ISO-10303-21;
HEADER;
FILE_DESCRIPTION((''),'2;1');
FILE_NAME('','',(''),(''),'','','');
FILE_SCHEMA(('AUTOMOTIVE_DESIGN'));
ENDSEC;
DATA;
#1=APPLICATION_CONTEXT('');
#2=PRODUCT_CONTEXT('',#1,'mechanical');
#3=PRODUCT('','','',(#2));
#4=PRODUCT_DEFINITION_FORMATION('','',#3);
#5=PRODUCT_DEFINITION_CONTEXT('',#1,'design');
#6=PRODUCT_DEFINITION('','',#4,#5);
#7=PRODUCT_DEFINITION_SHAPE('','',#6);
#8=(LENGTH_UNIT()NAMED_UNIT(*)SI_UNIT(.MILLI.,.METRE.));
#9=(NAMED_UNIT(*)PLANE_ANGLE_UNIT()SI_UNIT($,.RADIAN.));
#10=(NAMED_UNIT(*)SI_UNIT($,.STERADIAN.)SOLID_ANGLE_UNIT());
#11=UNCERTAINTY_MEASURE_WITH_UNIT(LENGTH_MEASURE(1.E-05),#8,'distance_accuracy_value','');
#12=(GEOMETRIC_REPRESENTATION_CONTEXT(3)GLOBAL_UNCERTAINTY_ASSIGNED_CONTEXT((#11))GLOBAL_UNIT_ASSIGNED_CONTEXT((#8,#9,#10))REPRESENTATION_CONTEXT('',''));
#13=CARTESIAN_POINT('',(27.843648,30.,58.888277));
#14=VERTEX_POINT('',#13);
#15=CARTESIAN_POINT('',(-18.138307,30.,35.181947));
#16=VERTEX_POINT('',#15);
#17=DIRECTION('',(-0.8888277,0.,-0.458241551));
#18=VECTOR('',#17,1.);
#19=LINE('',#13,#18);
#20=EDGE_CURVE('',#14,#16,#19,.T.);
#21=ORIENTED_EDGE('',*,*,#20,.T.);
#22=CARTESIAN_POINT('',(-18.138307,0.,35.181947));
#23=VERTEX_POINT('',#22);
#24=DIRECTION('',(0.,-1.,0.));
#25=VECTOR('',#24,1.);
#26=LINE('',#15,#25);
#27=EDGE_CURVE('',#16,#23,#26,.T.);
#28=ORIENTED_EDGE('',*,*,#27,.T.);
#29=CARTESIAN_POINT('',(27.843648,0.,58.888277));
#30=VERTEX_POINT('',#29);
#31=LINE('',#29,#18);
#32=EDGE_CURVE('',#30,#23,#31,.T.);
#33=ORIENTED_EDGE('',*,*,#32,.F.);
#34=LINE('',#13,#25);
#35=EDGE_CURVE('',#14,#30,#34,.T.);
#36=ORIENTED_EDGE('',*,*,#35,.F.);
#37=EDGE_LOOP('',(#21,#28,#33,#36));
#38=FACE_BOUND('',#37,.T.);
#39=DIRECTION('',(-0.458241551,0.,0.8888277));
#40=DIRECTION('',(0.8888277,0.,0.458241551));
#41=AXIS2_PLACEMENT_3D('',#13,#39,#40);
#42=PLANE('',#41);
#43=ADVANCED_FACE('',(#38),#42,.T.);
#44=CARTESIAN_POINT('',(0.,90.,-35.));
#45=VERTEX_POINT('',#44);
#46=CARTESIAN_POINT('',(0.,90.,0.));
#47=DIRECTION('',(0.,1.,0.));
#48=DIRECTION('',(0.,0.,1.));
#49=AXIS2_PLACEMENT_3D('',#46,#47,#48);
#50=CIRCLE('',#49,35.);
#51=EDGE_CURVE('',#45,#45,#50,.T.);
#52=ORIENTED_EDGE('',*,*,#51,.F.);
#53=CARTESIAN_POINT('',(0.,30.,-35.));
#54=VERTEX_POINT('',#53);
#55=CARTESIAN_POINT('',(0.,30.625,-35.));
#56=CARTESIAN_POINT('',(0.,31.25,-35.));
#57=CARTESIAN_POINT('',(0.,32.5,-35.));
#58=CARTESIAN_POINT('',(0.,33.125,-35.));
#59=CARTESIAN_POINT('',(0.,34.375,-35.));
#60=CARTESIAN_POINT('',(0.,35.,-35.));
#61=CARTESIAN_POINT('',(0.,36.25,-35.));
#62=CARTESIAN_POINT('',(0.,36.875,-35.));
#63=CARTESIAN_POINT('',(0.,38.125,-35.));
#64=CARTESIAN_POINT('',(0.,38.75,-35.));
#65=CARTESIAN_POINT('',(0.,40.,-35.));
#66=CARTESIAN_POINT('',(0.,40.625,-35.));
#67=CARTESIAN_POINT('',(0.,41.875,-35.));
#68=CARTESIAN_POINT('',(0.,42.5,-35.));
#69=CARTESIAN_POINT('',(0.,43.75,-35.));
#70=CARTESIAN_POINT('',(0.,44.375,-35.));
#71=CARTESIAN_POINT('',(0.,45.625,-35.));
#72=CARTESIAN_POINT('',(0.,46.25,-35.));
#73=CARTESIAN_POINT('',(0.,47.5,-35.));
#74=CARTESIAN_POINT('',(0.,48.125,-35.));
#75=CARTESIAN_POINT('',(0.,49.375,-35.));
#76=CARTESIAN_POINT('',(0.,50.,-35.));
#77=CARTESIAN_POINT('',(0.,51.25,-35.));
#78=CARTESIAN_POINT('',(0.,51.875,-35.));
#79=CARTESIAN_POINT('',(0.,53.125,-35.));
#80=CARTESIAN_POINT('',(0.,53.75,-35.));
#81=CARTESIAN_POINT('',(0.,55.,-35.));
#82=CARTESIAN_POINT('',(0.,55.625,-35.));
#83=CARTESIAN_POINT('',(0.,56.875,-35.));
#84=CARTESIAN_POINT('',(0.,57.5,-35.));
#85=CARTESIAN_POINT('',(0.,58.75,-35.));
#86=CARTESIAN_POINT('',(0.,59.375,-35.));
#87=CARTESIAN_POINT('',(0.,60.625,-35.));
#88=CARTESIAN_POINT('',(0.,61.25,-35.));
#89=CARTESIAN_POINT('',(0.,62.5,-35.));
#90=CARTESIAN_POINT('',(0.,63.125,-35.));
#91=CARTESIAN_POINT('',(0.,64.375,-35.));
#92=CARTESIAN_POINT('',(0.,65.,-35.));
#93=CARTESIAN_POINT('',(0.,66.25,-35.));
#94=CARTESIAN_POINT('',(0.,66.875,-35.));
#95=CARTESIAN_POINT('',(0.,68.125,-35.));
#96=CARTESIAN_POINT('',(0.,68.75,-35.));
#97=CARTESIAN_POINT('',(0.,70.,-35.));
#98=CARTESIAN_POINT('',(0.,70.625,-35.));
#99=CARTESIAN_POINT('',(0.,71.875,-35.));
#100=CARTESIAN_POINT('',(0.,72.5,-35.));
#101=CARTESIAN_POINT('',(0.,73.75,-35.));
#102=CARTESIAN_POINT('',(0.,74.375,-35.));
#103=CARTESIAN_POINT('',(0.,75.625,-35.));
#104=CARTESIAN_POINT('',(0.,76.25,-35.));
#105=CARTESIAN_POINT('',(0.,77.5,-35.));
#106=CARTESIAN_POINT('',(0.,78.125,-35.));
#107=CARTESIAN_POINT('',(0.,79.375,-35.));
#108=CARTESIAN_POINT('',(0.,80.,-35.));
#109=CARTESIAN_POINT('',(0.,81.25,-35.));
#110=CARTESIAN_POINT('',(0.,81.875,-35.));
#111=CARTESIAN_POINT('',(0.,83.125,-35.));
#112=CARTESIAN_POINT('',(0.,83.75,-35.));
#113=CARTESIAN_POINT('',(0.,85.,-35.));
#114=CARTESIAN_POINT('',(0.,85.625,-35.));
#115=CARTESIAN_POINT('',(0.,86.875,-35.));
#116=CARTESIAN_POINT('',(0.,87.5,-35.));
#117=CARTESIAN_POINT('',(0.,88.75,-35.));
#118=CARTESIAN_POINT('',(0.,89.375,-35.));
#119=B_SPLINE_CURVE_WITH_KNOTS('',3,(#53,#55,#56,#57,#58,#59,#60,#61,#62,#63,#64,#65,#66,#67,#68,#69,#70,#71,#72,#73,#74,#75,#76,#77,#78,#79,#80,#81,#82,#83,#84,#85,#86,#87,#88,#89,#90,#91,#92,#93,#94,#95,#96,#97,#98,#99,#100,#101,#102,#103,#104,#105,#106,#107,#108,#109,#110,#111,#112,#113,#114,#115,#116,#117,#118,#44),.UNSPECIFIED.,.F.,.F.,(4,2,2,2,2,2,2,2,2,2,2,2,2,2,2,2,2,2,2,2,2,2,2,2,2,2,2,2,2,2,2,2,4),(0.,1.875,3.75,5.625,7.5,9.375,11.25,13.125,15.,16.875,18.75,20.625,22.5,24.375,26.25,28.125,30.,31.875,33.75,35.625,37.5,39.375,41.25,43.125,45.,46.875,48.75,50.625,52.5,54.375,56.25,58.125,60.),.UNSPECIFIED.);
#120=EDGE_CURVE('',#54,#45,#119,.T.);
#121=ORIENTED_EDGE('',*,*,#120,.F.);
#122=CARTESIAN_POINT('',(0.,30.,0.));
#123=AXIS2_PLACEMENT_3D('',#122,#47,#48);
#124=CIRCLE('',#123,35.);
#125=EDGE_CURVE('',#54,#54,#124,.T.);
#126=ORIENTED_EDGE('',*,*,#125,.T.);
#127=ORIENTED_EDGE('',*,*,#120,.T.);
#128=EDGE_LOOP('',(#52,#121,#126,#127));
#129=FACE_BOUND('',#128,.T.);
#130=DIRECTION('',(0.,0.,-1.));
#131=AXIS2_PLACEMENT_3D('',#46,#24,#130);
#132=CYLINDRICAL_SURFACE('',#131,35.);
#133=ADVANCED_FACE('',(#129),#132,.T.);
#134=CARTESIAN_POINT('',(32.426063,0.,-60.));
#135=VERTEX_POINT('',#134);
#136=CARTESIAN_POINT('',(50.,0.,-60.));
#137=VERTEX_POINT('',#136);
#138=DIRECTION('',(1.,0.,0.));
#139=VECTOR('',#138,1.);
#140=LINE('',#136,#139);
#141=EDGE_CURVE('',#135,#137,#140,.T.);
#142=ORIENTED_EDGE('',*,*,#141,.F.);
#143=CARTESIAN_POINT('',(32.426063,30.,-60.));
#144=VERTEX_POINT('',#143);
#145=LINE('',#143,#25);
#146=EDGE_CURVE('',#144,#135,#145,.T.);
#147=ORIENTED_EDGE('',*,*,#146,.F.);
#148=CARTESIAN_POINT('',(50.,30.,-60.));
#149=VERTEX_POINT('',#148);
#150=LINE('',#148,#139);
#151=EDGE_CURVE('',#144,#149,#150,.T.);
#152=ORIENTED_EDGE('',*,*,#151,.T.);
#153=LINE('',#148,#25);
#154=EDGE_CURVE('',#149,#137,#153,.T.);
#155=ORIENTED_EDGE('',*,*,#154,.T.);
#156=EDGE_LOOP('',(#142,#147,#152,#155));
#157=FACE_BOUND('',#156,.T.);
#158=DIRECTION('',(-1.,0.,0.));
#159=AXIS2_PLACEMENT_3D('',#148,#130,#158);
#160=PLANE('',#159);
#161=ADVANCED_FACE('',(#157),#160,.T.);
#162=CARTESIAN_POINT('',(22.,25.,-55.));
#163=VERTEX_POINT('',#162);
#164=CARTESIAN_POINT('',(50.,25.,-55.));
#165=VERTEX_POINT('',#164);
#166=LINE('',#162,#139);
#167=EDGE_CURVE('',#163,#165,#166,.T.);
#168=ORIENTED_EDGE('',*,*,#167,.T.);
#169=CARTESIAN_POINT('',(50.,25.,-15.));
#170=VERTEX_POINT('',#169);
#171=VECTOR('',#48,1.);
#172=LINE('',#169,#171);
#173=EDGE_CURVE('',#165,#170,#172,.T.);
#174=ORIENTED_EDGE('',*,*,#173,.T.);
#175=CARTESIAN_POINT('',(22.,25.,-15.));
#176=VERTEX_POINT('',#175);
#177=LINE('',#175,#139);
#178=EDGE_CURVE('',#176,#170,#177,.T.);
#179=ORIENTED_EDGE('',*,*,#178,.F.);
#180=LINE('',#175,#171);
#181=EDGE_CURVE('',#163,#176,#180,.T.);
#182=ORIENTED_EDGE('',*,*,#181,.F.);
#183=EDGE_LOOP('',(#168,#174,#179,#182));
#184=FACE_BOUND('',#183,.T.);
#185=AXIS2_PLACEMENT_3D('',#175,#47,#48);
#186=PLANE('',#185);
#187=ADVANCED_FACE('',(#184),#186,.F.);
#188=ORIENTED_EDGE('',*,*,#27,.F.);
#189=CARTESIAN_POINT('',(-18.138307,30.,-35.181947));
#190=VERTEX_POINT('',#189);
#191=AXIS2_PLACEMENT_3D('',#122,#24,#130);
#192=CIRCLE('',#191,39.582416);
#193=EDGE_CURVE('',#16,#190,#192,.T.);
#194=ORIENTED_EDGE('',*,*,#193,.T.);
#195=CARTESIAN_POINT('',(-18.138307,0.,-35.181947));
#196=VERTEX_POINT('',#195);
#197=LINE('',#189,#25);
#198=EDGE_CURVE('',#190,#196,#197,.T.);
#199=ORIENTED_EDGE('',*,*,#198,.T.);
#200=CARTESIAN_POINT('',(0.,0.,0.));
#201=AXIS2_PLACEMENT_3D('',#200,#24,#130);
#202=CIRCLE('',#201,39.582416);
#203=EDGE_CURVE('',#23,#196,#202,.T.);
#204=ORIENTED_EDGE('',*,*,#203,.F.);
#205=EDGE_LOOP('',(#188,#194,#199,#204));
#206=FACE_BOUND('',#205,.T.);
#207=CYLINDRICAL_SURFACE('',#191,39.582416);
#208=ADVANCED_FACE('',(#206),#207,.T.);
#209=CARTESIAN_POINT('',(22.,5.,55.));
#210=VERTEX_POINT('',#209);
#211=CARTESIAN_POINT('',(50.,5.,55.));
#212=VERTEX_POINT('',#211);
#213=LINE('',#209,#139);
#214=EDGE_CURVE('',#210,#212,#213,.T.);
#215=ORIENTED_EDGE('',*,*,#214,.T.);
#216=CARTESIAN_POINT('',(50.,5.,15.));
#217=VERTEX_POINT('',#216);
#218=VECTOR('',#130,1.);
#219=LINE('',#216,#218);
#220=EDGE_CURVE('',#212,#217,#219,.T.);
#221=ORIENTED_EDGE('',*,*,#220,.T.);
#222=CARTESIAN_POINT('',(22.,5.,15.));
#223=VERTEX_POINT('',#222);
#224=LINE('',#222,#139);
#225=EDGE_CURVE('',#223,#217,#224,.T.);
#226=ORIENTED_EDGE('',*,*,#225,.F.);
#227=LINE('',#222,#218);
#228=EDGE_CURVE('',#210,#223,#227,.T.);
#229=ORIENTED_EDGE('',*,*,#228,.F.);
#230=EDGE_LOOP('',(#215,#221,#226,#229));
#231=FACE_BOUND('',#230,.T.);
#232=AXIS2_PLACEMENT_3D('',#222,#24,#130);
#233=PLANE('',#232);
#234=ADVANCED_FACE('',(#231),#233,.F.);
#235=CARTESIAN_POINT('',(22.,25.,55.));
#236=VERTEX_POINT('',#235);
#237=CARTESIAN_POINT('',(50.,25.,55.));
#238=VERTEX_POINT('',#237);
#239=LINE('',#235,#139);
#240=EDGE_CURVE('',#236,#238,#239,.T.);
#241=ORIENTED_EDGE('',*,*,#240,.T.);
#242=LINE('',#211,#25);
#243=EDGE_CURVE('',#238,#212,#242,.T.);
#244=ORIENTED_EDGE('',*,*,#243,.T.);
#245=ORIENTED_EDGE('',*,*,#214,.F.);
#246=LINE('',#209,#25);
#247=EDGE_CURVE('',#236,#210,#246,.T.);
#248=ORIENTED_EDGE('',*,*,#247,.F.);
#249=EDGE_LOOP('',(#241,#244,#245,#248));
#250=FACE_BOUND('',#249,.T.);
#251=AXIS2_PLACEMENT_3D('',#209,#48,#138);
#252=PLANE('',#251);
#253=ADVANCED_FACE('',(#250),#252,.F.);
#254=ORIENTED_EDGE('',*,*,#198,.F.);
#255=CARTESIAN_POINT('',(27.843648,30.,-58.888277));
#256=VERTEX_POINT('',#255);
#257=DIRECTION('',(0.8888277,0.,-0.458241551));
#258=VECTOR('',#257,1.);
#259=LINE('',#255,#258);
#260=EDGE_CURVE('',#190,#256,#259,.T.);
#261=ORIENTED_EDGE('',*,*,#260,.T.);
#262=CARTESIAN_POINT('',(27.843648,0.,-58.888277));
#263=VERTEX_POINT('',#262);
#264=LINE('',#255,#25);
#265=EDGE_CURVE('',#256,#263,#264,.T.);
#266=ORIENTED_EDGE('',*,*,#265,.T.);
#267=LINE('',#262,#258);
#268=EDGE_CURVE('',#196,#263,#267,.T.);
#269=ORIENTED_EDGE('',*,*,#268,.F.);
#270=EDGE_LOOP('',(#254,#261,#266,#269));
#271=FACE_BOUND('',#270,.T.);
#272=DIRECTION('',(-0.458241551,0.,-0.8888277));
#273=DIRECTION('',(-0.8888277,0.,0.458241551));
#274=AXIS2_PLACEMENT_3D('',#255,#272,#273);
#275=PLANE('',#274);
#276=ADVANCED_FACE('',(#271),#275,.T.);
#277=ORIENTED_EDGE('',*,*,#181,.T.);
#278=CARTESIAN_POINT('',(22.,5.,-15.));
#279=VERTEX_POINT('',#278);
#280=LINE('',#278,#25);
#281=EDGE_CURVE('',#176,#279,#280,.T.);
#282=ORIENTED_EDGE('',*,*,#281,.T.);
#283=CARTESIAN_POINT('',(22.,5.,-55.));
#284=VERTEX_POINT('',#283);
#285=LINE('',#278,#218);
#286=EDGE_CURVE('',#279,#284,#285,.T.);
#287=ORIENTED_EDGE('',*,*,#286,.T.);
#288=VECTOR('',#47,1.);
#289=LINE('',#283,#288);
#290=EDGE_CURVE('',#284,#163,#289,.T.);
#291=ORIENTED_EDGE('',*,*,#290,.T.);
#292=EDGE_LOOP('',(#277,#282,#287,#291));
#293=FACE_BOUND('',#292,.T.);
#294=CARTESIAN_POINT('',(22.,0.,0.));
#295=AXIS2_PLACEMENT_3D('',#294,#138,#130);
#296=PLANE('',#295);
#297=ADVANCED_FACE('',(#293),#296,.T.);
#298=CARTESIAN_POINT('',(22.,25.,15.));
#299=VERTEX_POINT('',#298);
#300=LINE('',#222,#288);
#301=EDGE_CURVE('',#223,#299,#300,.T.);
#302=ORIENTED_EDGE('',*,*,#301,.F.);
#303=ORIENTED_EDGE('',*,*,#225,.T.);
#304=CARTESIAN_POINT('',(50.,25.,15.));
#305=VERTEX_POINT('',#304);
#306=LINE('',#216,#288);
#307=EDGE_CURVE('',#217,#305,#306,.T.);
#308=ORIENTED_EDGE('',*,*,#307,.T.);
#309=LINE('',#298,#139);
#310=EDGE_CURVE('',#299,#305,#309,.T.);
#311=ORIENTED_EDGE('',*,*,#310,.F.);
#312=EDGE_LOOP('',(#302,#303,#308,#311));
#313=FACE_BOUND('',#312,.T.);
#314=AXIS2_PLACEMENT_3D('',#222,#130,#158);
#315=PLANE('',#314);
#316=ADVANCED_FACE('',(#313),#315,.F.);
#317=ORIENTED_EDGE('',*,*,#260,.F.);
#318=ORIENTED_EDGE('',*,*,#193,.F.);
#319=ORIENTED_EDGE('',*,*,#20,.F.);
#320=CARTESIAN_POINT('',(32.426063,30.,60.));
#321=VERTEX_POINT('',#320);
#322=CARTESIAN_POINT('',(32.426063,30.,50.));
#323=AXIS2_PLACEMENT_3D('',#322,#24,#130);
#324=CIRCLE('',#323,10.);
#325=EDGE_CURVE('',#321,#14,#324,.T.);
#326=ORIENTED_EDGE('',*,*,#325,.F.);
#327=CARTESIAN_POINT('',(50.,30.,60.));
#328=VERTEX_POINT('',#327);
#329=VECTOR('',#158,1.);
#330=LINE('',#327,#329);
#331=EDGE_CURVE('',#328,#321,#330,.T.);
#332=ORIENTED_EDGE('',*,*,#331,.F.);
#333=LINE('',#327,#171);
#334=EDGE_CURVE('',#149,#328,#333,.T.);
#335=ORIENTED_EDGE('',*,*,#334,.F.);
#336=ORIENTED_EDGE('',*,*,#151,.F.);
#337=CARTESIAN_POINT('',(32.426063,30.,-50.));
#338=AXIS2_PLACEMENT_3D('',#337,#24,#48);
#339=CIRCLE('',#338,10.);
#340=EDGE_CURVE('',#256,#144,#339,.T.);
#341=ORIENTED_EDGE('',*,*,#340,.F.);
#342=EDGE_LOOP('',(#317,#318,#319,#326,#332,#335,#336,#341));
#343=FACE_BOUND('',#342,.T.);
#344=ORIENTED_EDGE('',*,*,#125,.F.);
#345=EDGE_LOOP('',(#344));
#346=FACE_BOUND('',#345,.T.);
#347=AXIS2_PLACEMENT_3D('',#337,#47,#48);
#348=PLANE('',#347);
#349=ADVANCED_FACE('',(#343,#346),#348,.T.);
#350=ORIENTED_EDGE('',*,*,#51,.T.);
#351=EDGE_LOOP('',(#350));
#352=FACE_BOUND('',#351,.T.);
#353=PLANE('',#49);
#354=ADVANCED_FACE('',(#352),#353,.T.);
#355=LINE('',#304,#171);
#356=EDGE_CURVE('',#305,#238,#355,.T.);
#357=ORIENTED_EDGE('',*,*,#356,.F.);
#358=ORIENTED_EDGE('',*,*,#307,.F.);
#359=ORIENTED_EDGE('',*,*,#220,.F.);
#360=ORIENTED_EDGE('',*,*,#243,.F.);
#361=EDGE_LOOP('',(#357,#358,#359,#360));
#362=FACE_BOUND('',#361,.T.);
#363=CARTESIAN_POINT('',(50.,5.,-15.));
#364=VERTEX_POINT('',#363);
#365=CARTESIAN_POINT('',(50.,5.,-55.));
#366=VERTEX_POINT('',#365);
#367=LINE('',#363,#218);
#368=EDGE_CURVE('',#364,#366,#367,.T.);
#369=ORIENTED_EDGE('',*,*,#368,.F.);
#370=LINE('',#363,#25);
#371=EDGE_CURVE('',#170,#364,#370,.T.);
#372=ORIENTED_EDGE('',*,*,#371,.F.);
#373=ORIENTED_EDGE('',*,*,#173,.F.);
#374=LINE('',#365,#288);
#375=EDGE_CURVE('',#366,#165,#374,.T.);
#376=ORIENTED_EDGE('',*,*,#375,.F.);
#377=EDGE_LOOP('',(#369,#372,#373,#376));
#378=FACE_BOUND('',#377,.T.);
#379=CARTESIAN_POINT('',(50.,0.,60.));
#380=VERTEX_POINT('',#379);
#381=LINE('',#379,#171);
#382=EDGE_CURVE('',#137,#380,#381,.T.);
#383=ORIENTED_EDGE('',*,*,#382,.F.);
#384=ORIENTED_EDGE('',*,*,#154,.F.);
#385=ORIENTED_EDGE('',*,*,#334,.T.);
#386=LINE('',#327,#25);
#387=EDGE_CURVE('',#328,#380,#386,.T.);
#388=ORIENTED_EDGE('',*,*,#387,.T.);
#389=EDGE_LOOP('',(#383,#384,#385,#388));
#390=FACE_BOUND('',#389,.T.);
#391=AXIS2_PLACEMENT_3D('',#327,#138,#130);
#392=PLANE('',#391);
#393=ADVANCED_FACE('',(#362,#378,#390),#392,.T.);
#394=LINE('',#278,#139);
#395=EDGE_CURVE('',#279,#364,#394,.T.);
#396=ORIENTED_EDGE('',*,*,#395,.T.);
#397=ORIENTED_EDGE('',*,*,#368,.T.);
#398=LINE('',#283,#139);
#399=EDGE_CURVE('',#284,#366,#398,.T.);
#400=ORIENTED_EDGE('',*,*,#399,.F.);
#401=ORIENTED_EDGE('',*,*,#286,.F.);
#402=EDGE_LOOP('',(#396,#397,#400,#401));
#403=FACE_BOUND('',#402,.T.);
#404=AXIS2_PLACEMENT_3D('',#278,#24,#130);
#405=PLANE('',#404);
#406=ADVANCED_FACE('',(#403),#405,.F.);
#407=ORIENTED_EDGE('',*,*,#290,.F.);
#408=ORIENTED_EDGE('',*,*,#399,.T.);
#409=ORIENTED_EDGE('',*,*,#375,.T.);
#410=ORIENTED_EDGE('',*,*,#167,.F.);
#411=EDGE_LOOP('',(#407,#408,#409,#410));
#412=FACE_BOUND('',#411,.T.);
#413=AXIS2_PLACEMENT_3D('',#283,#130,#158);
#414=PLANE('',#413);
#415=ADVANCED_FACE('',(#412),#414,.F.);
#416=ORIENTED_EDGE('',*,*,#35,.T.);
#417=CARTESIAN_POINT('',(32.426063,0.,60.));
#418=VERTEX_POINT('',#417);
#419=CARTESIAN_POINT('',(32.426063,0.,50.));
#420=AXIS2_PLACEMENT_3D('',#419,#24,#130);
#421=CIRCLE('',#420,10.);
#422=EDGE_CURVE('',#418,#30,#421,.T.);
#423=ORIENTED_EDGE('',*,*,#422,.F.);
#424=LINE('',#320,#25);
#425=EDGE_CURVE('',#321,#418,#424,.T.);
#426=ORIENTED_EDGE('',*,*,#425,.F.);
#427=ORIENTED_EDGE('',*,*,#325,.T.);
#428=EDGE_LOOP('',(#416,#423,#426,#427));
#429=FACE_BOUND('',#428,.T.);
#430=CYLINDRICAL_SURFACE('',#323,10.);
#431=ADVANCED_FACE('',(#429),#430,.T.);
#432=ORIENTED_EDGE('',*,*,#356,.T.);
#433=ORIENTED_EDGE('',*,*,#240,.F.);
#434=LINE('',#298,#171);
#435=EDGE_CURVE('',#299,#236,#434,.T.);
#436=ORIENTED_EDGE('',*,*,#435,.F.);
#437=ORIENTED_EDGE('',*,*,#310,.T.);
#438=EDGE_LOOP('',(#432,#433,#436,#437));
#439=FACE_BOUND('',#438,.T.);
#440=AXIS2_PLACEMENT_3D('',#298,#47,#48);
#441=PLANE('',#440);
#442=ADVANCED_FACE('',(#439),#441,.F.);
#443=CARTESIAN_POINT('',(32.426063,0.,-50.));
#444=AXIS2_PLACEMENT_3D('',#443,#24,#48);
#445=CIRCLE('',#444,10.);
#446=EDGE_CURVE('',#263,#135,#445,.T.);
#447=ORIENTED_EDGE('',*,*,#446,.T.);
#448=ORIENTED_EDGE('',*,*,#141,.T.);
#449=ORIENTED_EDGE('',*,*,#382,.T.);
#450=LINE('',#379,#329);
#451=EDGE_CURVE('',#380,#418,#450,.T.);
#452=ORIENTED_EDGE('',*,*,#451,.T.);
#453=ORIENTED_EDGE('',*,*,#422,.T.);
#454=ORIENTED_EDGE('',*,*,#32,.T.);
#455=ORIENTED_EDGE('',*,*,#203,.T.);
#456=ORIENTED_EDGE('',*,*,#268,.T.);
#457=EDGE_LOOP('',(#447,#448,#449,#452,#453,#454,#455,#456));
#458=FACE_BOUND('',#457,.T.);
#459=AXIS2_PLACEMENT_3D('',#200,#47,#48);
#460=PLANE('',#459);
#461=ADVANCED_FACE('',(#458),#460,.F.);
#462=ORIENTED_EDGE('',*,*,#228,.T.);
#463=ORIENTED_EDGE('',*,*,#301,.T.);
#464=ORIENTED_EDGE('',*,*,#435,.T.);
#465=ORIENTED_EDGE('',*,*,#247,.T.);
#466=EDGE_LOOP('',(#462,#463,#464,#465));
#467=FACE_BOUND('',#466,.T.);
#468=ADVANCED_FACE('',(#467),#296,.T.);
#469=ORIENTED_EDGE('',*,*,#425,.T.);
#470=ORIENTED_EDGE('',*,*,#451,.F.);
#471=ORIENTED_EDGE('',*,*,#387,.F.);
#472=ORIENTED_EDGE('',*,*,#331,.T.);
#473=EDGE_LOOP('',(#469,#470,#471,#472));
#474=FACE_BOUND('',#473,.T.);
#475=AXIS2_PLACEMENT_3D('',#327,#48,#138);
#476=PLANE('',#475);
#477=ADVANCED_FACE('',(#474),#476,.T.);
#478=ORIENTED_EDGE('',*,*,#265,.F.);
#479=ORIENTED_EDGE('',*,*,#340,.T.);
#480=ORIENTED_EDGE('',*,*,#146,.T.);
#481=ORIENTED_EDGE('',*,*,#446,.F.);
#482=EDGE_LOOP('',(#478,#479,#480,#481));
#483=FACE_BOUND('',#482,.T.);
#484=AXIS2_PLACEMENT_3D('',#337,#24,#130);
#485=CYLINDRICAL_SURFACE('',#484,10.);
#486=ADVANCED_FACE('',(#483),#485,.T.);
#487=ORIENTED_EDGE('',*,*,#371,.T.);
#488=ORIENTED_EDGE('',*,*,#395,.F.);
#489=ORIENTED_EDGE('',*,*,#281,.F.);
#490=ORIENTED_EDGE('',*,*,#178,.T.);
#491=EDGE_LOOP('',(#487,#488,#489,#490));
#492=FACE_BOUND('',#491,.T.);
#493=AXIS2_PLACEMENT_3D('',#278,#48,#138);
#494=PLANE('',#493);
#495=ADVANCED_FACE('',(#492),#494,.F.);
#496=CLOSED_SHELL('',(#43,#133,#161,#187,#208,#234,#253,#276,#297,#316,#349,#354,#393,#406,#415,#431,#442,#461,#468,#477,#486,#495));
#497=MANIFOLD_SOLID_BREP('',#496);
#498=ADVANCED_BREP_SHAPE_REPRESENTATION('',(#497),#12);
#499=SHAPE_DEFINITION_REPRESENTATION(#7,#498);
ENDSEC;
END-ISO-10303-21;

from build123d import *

# Parameters (mm, degrees)
CROQUIS1_R              = 35
SALIENTE_EXTRUIR1_DEPTH = 90
SALIENTE_EXTRUIR2_DEPTH = 30
CROQUIS3_W              = 40
CROQUIS3_H              = 20
CORTAR_EXTRUIR1_DEPTH   = 28


with BuildPart() as part:
    # Croquis1 → Saliente-Extruir1 (new body)
    with BuildSketch(Plane(origin=(0, 0, 0), x_dir=(1, 0, 0), z_dir=(0, 1, 0))):
        with Locations(Location((0, 0, 0), (0, 0, 90))):
            Circle(CROQUIS1_R)
    extrude(amount=SALIENTE_EXTRUIR1_DEPTH)

    # Croquis2 → Saliente-Extruir2 (add)
    with BuildSketch(Plane.XZ):
        with BuildLine():
            Line((50, 60), (50, -60))
            Line((50, -60), (32.42606327, -60))
            ThreePointArc((32.42606327, -60), (30.068391754, -59.718095751), (27.843647762, -58.888277005))
            Line((27.843647762, -58.888277005), (-18.138307464, -35.181947356))
            ThreePointArc((-18.138307464, -35.181947356), (-39.582415507, 0), (-18.138307464, 35.181947356))
            Line((-18.138307464, 35.181947356), (27.843647762, 58.888277005))
            ThreePointArc((27.843647762, 58.888277005), (30.068391754, 59.718095751), (32.42606327, 60))
            Line((32.42606327, 60), (50, 60))
        make_face()
    extrude(amount=-SALIENTE_EXTRUIR2_DEPTH)

    # Croquis3 → Cortar-Extruir1 (cut)
    with BuildSketch(Plane(origin=(50, 0, 0), x_dir=(0, 0, -1), z_dir=(1, 0, 0))):
        with Locations((-35, 15)):
            Rectangle(CROQUIS3_W, CROQUIS3_H)
        with Locations((35, 15)):
            Rectangle(CROQUIS3_W, CROQUIS3_H)
    extrude(amount=-CORTAR_EXTRUIR1_DEPTH, mode=Mode.SUBTRACT)


solid = part.part
